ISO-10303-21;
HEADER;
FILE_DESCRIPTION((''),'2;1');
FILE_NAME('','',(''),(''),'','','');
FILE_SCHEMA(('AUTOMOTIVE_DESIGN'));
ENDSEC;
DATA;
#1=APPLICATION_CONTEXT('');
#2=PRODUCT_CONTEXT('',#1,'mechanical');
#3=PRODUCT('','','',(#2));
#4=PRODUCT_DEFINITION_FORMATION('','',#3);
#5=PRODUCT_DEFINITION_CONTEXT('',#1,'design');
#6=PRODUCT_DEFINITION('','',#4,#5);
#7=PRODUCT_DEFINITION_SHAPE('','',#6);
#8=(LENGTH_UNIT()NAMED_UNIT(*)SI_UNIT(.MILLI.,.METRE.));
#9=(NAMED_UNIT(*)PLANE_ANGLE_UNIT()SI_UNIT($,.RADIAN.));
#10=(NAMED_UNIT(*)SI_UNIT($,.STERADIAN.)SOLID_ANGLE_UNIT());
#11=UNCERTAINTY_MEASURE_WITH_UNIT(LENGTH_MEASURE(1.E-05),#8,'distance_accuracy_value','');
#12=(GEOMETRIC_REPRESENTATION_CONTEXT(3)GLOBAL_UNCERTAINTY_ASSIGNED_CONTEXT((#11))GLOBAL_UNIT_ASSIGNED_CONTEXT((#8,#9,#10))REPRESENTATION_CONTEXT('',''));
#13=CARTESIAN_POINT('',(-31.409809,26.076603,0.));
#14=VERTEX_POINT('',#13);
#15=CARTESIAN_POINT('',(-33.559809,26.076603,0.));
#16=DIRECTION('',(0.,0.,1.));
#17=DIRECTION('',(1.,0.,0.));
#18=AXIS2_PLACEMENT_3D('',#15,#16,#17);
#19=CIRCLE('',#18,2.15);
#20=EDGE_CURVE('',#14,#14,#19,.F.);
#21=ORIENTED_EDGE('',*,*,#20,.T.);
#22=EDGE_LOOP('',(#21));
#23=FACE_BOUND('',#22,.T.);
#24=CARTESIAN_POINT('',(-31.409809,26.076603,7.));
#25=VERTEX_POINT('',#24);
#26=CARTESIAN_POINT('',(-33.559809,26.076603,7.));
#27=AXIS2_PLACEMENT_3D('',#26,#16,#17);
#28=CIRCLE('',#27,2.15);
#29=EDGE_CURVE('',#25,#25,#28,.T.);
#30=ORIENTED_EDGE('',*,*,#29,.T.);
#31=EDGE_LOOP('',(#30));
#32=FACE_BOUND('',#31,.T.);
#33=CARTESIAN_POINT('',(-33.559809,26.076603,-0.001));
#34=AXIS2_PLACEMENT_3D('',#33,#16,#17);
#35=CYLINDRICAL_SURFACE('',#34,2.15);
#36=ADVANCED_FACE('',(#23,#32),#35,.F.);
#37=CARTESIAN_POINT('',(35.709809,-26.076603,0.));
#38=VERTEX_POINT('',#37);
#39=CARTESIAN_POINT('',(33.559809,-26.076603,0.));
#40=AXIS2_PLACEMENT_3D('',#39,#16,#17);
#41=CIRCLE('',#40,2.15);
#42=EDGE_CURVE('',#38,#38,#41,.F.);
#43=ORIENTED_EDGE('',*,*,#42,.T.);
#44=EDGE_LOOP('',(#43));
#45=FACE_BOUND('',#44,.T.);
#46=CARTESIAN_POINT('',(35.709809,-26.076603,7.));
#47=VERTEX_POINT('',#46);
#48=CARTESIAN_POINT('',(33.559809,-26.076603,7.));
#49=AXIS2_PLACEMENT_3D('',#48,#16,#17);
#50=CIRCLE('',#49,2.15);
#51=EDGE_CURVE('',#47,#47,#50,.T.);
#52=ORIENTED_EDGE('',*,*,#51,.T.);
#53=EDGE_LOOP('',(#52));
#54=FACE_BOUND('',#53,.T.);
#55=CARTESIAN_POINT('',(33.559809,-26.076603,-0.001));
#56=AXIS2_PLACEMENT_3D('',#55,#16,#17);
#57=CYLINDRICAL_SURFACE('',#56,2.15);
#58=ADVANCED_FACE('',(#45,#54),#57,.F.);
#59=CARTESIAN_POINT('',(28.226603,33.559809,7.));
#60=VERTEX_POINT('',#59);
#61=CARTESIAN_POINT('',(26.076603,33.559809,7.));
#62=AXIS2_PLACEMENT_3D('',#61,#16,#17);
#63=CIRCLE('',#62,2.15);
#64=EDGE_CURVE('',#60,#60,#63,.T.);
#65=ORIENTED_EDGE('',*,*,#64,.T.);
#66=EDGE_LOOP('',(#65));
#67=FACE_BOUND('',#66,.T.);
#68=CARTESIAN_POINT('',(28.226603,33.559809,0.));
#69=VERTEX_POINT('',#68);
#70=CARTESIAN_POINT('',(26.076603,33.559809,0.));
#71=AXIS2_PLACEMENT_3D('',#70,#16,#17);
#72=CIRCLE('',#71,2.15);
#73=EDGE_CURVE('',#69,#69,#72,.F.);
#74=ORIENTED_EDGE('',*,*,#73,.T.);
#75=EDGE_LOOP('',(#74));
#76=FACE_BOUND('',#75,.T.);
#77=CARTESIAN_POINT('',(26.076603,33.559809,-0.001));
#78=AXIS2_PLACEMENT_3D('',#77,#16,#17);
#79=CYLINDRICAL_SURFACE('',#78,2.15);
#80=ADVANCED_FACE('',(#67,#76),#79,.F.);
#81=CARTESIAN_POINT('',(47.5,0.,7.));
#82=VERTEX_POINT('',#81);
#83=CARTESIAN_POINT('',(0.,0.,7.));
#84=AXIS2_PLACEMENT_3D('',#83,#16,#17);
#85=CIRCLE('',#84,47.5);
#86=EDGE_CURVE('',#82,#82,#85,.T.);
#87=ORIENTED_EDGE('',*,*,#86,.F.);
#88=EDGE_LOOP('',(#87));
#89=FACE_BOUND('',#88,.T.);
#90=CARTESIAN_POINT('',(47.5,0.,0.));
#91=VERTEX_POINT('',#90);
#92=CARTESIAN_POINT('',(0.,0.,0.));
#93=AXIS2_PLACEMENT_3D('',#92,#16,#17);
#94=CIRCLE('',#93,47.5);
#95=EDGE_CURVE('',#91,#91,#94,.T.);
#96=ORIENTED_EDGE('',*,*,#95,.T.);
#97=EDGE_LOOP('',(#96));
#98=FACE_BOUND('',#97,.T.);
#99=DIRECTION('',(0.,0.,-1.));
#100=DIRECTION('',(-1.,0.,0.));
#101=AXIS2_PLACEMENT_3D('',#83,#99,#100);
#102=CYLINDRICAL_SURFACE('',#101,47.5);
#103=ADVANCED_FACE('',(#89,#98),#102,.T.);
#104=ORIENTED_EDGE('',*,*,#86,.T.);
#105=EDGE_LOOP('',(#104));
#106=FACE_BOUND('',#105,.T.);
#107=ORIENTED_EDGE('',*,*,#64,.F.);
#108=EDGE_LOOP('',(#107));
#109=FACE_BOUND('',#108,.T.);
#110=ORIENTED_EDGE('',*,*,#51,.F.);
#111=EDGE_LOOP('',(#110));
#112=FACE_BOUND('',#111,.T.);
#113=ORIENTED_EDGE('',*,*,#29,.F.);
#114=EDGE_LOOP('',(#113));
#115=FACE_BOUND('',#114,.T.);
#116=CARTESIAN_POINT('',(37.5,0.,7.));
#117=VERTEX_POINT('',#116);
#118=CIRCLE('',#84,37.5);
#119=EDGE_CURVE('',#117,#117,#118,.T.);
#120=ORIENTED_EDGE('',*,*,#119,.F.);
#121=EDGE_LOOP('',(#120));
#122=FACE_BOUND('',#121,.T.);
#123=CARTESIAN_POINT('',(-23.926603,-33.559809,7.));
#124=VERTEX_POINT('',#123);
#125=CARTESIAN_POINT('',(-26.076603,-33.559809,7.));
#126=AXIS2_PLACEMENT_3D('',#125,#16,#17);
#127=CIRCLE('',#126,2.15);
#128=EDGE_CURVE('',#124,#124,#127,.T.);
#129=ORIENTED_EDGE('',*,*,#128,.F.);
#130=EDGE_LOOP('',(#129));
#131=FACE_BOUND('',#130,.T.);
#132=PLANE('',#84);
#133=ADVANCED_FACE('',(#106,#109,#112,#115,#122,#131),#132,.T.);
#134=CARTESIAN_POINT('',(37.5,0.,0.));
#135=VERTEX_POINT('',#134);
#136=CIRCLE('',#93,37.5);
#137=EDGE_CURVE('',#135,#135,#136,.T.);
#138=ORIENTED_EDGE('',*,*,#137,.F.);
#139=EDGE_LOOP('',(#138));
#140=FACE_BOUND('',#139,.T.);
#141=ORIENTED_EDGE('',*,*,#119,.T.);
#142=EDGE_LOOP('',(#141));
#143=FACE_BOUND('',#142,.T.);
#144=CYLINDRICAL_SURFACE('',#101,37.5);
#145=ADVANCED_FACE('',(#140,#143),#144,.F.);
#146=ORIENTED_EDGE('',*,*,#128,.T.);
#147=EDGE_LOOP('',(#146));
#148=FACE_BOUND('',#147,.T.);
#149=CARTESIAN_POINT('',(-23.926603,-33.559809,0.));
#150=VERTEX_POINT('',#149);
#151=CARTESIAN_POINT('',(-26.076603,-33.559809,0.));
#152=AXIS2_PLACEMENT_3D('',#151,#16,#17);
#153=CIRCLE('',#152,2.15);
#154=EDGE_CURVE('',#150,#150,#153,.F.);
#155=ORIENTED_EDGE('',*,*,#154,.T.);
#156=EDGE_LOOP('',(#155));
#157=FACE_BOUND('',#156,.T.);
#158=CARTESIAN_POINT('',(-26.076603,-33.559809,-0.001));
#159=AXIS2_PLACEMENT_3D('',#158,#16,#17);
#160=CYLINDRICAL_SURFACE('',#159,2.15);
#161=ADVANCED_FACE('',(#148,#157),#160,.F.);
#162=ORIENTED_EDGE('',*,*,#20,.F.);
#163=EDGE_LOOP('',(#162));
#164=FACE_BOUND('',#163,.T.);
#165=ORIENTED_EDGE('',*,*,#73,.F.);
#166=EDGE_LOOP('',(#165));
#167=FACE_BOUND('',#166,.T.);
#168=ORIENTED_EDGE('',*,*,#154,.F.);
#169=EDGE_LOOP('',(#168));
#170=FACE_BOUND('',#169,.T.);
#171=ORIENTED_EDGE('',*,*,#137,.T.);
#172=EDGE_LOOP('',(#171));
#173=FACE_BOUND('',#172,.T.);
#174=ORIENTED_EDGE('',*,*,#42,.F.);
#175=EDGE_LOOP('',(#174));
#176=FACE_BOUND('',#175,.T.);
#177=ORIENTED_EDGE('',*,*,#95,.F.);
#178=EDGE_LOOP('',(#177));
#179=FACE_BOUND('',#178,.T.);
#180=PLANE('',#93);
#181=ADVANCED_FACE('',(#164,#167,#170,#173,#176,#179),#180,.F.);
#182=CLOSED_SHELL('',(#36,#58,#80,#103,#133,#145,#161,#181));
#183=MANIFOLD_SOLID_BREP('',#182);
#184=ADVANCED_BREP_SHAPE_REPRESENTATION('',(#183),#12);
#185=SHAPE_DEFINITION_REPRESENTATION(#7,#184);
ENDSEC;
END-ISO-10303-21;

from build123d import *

# Parameters (mm, degrees)
SKETCH_1_R          = 47.5
SKETCH_1_R_2        = 37.5
EXTRUDE_1_DEPTH     = 7
CUT_EXTRUDE_1_REACH = 69.539
SKETCH_2_R          = 2.15


with BuildPart() as part:
    # 草图1 → 凸台-拉伸1 (new body)
    with BuildSketch(Plane.XY):
        Circle(SKETCH_1_R)
        Circle(SKETCH_1_R_2, mode=Mode.SUBTRACT)
    extrude(amount=EXTRUDE_1_DEPTH)

    # 草图2 → 切除-拉伸1 (cut, up to next)
    with BuildSketch(Plane.XY.offset(7), mode=Mode.PRIVATE) as cut_extrude_1_sk1:
        with Locations((-33.559809212, 26.076602647)):
            Circle(SKETCH_2_R)
    cut_extrude_1_tool1 = extrude(cut_extrude_1_sk1.sketch, amount=-CUT_EXTRUDE_1_REACH, mode=Mode.PRIVATE) & part.part
    # 草图2 → 切除-拉伸1 (cut, up to next)
    with BuildSketch(Plane.XY.offset(7), mode=Mode.PRIVATE) as cut_extrude_1_sk2:
        with Locations((26.076602647, 33.559809212)):
            Circle(SKETCH_2_R)
    cut_extrude_1_tool2 = extrude(cut_extrude_1_sk2.sketch, amount=-CUT_EXTRUDE_1_REACH, mode=Mode.PRIVATE) & part.part
    # 草图2 → 切除-拉伸1 (cut, up to next)
    with BuildSketch(Plane.XY.offset(7), mode=Mode.PRIVATE) as cut_extrude_1_sk3:
        with Locations((33.559809212, -26.076602647)):
            Circle(SKETCH_2_R)
    cut_extrude_1_tool3 = extrude(cut_extrude_1_sk3.sketch, amount=-CUT_EXTRUDE_1_REACH, mode=Mode.PRIVATE) & part.part
    # 草图2 → 切除-拉伸1 (cut, up to next)
    with BuildSketch(Plane.XY.offset(7), mode=Mode.PRIVATE) as cut_extrude_1_sk4:
        with Locations((-26.076602647, -33.559809212)):
            Circle(SKETCH_2_R)
    cut_extrude_1_tool4 = extrude(cut_extrude_1_sk4.sketch, amount=-CUT_EXTRUDE_1_REACH, mode=Mode.PRIVATE) & part.part
    add(cut_extrude_1_tool1.solids().sort_by_distance((-33.559809, 26.076603, 7))[0], mode=Mode.SUBTRACT)
    add(cut_extrude_1_tool2.solids().sort_by_distance((26.076603, 33.559809, 7))[0], mode=Mode.SUBTRACT)
    add(cut_extrude_1_tool3.solids().sort_by_distance((33.559809, -26.076603, 7))[0], mode=Mode.SUBTRACT)
    add(cut_extrude_1_tool4.solids().sort_by_distance((-26.076603, -33.559809, 7))[0], mode=Mode.SUBTRACT)


solid = part.part
